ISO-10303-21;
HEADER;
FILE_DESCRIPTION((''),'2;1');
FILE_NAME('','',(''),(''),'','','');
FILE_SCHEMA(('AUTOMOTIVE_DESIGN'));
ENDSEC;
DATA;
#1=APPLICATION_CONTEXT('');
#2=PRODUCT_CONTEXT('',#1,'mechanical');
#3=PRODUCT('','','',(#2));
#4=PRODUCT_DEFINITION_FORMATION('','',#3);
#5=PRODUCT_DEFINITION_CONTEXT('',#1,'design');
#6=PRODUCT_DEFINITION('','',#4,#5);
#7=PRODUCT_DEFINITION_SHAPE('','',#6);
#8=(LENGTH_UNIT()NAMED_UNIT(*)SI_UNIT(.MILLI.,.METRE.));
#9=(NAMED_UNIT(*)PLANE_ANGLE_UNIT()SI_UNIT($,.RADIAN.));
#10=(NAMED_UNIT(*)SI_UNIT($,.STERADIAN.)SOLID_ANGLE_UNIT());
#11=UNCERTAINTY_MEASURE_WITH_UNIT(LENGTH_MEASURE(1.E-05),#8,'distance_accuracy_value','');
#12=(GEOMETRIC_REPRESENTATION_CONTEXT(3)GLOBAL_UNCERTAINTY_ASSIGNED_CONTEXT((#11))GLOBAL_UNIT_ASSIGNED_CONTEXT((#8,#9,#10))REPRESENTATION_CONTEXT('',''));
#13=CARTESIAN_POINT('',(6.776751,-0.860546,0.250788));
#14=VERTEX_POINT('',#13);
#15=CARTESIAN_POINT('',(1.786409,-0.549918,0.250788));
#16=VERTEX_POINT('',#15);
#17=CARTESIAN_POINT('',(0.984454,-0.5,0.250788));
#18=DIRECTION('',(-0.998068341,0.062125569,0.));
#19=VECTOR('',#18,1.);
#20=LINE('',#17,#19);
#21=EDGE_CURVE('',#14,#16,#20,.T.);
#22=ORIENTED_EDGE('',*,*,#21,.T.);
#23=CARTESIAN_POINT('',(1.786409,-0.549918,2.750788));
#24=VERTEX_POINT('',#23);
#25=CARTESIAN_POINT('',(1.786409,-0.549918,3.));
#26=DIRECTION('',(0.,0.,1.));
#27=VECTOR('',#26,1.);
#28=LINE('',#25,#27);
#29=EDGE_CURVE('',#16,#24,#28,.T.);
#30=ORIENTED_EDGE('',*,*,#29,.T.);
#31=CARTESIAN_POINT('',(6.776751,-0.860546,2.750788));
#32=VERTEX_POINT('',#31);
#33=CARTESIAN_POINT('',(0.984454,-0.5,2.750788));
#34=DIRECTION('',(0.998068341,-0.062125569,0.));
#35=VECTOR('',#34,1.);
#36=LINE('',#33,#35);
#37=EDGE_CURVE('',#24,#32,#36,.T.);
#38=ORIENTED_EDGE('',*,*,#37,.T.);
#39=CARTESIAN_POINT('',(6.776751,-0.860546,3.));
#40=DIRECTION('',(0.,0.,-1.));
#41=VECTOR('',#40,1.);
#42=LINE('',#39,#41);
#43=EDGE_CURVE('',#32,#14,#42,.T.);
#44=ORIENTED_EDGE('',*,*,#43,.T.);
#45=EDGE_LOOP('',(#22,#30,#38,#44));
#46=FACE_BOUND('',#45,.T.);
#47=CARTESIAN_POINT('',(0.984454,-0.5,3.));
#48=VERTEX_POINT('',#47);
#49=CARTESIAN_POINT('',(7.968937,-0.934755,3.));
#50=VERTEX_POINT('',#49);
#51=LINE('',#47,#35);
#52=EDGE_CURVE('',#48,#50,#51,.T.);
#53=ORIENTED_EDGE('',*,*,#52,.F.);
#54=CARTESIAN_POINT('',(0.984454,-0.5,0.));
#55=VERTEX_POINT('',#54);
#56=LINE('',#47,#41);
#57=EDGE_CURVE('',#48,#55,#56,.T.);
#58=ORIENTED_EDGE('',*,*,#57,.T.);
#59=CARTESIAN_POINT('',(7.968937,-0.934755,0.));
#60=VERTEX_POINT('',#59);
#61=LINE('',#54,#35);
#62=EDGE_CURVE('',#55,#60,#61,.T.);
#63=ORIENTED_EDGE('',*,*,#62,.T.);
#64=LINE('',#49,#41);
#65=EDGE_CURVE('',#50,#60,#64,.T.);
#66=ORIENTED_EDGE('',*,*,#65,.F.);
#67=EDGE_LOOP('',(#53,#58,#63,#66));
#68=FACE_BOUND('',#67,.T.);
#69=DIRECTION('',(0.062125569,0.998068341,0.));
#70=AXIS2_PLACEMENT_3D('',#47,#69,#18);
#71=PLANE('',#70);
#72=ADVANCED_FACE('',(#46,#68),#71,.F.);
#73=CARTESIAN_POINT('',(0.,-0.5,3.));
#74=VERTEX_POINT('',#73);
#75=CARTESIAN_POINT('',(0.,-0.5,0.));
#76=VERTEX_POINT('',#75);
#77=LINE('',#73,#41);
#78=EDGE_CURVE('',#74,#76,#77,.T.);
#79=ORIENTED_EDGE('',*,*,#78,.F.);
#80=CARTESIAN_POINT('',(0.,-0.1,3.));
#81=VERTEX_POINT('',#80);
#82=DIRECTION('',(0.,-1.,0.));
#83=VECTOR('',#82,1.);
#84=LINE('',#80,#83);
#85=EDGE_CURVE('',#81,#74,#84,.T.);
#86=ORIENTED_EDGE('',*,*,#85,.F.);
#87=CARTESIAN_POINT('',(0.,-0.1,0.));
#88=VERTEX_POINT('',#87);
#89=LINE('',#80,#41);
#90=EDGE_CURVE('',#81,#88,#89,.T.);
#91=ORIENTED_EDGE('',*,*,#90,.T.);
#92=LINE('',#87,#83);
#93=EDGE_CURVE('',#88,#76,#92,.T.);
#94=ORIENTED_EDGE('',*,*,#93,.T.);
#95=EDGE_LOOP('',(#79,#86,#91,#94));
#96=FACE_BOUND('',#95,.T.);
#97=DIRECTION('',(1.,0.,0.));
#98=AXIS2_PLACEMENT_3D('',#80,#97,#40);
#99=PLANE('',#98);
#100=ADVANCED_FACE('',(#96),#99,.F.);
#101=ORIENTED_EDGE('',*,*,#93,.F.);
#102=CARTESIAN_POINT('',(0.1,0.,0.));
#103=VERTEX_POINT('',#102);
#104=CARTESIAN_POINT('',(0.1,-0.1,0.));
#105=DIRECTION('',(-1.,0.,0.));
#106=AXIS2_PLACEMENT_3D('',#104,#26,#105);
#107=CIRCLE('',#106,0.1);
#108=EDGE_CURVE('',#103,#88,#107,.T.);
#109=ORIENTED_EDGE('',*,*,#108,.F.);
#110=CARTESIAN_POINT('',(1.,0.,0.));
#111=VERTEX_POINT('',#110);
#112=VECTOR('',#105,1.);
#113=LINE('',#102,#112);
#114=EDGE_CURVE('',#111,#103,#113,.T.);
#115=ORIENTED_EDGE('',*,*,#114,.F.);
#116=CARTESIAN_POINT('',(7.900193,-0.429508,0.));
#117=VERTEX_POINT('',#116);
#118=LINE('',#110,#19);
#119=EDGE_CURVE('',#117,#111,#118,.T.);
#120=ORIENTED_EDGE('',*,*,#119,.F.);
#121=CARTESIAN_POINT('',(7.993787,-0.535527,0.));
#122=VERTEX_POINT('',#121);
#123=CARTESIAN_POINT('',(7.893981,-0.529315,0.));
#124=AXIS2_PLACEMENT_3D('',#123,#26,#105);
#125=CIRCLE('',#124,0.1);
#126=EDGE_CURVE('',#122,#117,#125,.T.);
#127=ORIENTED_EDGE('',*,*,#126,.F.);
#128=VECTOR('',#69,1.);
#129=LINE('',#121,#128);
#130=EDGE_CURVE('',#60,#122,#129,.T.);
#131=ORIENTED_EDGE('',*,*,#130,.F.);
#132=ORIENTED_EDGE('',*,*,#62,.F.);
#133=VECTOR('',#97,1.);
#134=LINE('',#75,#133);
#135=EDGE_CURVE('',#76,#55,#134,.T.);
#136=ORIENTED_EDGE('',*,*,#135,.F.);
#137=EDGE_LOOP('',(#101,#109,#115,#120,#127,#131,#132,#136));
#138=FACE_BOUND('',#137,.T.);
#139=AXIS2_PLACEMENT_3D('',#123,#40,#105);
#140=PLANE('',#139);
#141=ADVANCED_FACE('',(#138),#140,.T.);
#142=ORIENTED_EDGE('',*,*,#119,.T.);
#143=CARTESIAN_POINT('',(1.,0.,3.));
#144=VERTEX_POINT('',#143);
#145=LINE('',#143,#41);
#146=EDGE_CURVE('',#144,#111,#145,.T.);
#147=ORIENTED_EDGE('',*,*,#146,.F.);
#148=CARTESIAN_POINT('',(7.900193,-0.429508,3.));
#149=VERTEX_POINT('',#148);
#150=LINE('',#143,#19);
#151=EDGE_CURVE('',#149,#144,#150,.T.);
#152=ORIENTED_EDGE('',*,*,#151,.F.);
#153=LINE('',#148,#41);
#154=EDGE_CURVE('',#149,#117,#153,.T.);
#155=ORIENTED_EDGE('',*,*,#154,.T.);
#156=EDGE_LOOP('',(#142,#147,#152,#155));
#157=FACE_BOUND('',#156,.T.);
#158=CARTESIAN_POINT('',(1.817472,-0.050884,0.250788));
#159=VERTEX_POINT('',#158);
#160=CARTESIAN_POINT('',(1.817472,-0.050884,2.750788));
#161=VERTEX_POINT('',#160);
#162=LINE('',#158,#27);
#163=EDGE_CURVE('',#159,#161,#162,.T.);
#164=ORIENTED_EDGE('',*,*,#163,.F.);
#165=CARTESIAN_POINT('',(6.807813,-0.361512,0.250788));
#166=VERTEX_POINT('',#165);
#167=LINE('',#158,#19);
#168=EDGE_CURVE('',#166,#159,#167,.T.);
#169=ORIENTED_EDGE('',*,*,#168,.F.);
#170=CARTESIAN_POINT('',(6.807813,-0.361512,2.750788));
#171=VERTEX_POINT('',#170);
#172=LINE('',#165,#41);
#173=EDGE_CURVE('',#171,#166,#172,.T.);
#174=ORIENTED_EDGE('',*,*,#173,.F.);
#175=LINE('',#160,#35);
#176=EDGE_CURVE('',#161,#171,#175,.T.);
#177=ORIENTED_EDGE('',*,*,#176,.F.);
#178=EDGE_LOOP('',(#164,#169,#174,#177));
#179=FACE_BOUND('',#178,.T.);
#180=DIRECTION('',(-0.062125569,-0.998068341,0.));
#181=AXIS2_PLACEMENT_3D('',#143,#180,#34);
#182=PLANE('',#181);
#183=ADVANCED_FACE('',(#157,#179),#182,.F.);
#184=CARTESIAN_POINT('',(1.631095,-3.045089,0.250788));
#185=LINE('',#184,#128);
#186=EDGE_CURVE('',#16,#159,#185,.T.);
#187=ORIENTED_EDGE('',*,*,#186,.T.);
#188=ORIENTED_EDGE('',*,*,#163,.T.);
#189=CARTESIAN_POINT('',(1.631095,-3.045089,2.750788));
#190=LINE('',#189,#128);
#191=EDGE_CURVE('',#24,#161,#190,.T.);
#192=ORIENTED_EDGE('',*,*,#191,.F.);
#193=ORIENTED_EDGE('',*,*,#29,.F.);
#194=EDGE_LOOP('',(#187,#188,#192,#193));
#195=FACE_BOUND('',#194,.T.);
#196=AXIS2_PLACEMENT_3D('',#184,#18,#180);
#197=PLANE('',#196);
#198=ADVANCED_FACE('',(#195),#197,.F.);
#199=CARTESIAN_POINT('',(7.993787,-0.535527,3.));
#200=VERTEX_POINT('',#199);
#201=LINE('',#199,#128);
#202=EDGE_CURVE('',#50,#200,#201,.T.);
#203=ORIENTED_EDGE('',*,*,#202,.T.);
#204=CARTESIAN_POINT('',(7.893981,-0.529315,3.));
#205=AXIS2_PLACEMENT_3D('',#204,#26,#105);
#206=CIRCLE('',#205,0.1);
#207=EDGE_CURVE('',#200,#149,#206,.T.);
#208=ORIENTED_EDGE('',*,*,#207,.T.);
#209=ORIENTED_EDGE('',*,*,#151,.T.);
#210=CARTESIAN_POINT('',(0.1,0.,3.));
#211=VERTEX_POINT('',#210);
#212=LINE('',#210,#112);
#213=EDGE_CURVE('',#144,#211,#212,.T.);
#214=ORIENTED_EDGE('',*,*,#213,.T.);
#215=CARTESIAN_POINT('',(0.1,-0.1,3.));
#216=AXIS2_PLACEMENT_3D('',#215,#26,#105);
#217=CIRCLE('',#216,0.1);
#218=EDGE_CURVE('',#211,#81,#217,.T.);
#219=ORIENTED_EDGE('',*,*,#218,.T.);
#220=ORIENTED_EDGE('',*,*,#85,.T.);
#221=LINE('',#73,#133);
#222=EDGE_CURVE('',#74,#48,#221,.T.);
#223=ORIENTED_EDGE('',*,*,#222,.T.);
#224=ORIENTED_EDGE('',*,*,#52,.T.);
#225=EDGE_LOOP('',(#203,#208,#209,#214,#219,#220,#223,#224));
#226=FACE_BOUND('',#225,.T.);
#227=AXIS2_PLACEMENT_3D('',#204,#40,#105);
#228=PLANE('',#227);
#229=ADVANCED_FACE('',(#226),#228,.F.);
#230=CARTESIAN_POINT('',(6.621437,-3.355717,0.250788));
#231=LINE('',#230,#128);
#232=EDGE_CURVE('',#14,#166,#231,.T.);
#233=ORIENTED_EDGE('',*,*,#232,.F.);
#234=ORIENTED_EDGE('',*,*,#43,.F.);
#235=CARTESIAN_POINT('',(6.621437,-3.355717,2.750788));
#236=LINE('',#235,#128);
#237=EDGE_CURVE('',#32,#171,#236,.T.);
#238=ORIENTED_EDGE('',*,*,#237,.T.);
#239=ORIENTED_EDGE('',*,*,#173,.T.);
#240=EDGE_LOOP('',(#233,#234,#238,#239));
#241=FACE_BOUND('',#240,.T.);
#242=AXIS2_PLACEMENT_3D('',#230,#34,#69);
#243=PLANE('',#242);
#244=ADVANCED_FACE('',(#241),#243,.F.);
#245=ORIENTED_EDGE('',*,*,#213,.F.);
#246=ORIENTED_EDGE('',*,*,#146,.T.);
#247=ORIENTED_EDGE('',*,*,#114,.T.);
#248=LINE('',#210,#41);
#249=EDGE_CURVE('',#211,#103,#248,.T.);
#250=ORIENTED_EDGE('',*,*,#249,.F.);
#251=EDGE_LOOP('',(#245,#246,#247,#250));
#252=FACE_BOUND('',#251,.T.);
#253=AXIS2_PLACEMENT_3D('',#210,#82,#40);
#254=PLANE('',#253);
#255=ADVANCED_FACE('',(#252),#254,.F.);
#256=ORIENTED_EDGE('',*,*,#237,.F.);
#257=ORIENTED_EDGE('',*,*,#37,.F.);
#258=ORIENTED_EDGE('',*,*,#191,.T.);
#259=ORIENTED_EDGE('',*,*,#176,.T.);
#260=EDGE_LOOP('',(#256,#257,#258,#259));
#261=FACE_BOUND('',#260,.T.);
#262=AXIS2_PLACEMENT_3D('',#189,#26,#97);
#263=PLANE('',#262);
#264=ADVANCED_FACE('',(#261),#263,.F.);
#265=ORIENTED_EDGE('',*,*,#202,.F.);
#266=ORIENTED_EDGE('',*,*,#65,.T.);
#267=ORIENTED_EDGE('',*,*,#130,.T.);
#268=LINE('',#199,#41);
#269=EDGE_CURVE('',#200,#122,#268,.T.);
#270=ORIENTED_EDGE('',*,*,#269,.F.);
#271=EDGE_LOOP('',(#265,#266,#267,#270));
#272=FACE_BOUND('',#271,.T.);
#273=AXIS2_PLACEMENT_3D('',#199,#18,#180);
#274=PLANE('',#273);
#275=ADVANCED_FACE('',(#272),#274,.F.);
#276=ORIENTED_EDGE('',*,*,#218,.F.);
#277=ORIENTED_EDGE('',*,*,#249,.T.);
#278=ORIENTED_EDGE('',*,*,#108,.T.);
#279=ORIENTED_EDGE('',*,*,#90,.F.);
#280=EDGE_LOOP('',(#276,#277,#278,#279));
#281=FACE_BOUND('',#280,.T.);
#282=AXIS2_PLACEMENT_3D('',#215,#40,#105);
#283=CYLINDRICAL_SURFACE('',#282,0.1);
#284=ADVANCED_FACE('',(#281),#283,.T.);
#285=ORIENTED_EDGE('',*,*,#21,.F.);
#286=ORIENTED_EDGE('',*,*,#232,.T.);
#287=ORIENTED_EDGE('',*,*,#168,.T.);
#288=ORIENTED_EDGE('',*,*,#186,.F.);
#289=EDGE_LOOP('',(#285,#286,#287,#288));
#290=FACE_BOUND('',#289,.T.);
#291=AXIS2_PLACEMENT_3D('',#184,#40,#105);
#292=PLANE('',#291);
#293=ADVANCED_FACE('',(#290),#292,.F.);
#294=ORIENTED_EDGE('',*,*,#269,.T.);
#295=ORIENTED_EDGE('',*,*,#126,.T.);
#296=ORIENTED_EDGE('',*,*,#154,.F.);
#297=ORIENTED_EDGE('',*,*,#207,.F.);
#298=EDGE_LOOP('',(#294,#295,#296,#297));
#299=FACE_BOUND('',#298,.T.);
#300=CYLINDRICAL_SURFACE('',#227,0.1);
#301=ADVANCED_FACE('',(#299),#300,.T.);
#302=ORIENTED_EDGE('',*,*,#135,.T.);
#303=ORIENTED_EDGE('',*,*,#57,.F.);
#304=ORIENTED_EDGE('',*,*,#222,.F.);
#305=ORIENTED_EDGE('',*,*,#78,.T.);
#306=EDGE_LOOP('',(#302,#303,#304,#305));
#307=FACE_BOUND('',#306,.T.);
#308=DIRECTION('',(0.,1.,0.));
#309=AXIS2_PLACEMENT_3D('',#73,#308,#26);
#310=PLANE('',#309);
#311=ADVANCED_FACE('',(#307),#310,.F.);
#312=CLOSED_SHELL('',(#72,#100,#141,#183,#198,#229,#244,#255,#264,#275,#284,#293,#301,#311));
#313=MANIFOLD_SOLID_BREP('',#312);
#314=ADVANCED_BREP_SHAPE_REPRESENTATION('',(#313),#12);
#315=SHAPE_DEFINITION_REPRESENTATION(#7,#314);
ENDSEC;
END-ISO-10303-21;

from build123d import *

# Parameters (mm, degrees)
BOSS_EXTRUDE3_DEPTH = 3
SKETCH3_W           = 5
SKETCH3_H           = 2.5
CUT_EXTRUDE1_DEPTH  = 3


with BuildPart() as part:
    # Sketch2 → Boss-Extrude3 (new body)
    with BuildSketch(Plane.XY):
        with BuildLine():
            Line((0.1, 0), (1, 0))
            Line((1, 0), (7.900193166, -0.429508089))
            ThreePointArc((7.900193166, -0.429508089), (7.968947639, -0.463133775), (7.993787443, -0.53552748))
            Line((7.993787443, -0.53552748), (7.968937216, -0.934754817))
            Line((7.968937216, -0.934754817), (0.984453593, -0.5))
            Line((0.984453593, -0.5), (0, -0.5))
            Line((0, -0.5), (0, -0.1))
            ThreePointArc((0, -0.1), (0.029289322, -0.029289322), (0.1, 0))
        make_face()
    extrude(amount=BOSS_EXTRUDE3_DEPTH)

    # Sketch3 → Cut-Extrude1 (cut)
    with BuildSketch(Plane(origin=(0.003859586, 0.062005564, 0), x_dir=(0.998068341, -0.062125569, 0), z_dir=(0.062125569, 0.998068341, 0))):
        with Locations((4.317122221, -1.500788282)):
            Rectangle(SKETCH3_W, SKETCH3_H)
    extrude(amount=-CUT_EXTRUDE1_DEPTH, mode=Mode.SUBTRACT)


solid = part.part
